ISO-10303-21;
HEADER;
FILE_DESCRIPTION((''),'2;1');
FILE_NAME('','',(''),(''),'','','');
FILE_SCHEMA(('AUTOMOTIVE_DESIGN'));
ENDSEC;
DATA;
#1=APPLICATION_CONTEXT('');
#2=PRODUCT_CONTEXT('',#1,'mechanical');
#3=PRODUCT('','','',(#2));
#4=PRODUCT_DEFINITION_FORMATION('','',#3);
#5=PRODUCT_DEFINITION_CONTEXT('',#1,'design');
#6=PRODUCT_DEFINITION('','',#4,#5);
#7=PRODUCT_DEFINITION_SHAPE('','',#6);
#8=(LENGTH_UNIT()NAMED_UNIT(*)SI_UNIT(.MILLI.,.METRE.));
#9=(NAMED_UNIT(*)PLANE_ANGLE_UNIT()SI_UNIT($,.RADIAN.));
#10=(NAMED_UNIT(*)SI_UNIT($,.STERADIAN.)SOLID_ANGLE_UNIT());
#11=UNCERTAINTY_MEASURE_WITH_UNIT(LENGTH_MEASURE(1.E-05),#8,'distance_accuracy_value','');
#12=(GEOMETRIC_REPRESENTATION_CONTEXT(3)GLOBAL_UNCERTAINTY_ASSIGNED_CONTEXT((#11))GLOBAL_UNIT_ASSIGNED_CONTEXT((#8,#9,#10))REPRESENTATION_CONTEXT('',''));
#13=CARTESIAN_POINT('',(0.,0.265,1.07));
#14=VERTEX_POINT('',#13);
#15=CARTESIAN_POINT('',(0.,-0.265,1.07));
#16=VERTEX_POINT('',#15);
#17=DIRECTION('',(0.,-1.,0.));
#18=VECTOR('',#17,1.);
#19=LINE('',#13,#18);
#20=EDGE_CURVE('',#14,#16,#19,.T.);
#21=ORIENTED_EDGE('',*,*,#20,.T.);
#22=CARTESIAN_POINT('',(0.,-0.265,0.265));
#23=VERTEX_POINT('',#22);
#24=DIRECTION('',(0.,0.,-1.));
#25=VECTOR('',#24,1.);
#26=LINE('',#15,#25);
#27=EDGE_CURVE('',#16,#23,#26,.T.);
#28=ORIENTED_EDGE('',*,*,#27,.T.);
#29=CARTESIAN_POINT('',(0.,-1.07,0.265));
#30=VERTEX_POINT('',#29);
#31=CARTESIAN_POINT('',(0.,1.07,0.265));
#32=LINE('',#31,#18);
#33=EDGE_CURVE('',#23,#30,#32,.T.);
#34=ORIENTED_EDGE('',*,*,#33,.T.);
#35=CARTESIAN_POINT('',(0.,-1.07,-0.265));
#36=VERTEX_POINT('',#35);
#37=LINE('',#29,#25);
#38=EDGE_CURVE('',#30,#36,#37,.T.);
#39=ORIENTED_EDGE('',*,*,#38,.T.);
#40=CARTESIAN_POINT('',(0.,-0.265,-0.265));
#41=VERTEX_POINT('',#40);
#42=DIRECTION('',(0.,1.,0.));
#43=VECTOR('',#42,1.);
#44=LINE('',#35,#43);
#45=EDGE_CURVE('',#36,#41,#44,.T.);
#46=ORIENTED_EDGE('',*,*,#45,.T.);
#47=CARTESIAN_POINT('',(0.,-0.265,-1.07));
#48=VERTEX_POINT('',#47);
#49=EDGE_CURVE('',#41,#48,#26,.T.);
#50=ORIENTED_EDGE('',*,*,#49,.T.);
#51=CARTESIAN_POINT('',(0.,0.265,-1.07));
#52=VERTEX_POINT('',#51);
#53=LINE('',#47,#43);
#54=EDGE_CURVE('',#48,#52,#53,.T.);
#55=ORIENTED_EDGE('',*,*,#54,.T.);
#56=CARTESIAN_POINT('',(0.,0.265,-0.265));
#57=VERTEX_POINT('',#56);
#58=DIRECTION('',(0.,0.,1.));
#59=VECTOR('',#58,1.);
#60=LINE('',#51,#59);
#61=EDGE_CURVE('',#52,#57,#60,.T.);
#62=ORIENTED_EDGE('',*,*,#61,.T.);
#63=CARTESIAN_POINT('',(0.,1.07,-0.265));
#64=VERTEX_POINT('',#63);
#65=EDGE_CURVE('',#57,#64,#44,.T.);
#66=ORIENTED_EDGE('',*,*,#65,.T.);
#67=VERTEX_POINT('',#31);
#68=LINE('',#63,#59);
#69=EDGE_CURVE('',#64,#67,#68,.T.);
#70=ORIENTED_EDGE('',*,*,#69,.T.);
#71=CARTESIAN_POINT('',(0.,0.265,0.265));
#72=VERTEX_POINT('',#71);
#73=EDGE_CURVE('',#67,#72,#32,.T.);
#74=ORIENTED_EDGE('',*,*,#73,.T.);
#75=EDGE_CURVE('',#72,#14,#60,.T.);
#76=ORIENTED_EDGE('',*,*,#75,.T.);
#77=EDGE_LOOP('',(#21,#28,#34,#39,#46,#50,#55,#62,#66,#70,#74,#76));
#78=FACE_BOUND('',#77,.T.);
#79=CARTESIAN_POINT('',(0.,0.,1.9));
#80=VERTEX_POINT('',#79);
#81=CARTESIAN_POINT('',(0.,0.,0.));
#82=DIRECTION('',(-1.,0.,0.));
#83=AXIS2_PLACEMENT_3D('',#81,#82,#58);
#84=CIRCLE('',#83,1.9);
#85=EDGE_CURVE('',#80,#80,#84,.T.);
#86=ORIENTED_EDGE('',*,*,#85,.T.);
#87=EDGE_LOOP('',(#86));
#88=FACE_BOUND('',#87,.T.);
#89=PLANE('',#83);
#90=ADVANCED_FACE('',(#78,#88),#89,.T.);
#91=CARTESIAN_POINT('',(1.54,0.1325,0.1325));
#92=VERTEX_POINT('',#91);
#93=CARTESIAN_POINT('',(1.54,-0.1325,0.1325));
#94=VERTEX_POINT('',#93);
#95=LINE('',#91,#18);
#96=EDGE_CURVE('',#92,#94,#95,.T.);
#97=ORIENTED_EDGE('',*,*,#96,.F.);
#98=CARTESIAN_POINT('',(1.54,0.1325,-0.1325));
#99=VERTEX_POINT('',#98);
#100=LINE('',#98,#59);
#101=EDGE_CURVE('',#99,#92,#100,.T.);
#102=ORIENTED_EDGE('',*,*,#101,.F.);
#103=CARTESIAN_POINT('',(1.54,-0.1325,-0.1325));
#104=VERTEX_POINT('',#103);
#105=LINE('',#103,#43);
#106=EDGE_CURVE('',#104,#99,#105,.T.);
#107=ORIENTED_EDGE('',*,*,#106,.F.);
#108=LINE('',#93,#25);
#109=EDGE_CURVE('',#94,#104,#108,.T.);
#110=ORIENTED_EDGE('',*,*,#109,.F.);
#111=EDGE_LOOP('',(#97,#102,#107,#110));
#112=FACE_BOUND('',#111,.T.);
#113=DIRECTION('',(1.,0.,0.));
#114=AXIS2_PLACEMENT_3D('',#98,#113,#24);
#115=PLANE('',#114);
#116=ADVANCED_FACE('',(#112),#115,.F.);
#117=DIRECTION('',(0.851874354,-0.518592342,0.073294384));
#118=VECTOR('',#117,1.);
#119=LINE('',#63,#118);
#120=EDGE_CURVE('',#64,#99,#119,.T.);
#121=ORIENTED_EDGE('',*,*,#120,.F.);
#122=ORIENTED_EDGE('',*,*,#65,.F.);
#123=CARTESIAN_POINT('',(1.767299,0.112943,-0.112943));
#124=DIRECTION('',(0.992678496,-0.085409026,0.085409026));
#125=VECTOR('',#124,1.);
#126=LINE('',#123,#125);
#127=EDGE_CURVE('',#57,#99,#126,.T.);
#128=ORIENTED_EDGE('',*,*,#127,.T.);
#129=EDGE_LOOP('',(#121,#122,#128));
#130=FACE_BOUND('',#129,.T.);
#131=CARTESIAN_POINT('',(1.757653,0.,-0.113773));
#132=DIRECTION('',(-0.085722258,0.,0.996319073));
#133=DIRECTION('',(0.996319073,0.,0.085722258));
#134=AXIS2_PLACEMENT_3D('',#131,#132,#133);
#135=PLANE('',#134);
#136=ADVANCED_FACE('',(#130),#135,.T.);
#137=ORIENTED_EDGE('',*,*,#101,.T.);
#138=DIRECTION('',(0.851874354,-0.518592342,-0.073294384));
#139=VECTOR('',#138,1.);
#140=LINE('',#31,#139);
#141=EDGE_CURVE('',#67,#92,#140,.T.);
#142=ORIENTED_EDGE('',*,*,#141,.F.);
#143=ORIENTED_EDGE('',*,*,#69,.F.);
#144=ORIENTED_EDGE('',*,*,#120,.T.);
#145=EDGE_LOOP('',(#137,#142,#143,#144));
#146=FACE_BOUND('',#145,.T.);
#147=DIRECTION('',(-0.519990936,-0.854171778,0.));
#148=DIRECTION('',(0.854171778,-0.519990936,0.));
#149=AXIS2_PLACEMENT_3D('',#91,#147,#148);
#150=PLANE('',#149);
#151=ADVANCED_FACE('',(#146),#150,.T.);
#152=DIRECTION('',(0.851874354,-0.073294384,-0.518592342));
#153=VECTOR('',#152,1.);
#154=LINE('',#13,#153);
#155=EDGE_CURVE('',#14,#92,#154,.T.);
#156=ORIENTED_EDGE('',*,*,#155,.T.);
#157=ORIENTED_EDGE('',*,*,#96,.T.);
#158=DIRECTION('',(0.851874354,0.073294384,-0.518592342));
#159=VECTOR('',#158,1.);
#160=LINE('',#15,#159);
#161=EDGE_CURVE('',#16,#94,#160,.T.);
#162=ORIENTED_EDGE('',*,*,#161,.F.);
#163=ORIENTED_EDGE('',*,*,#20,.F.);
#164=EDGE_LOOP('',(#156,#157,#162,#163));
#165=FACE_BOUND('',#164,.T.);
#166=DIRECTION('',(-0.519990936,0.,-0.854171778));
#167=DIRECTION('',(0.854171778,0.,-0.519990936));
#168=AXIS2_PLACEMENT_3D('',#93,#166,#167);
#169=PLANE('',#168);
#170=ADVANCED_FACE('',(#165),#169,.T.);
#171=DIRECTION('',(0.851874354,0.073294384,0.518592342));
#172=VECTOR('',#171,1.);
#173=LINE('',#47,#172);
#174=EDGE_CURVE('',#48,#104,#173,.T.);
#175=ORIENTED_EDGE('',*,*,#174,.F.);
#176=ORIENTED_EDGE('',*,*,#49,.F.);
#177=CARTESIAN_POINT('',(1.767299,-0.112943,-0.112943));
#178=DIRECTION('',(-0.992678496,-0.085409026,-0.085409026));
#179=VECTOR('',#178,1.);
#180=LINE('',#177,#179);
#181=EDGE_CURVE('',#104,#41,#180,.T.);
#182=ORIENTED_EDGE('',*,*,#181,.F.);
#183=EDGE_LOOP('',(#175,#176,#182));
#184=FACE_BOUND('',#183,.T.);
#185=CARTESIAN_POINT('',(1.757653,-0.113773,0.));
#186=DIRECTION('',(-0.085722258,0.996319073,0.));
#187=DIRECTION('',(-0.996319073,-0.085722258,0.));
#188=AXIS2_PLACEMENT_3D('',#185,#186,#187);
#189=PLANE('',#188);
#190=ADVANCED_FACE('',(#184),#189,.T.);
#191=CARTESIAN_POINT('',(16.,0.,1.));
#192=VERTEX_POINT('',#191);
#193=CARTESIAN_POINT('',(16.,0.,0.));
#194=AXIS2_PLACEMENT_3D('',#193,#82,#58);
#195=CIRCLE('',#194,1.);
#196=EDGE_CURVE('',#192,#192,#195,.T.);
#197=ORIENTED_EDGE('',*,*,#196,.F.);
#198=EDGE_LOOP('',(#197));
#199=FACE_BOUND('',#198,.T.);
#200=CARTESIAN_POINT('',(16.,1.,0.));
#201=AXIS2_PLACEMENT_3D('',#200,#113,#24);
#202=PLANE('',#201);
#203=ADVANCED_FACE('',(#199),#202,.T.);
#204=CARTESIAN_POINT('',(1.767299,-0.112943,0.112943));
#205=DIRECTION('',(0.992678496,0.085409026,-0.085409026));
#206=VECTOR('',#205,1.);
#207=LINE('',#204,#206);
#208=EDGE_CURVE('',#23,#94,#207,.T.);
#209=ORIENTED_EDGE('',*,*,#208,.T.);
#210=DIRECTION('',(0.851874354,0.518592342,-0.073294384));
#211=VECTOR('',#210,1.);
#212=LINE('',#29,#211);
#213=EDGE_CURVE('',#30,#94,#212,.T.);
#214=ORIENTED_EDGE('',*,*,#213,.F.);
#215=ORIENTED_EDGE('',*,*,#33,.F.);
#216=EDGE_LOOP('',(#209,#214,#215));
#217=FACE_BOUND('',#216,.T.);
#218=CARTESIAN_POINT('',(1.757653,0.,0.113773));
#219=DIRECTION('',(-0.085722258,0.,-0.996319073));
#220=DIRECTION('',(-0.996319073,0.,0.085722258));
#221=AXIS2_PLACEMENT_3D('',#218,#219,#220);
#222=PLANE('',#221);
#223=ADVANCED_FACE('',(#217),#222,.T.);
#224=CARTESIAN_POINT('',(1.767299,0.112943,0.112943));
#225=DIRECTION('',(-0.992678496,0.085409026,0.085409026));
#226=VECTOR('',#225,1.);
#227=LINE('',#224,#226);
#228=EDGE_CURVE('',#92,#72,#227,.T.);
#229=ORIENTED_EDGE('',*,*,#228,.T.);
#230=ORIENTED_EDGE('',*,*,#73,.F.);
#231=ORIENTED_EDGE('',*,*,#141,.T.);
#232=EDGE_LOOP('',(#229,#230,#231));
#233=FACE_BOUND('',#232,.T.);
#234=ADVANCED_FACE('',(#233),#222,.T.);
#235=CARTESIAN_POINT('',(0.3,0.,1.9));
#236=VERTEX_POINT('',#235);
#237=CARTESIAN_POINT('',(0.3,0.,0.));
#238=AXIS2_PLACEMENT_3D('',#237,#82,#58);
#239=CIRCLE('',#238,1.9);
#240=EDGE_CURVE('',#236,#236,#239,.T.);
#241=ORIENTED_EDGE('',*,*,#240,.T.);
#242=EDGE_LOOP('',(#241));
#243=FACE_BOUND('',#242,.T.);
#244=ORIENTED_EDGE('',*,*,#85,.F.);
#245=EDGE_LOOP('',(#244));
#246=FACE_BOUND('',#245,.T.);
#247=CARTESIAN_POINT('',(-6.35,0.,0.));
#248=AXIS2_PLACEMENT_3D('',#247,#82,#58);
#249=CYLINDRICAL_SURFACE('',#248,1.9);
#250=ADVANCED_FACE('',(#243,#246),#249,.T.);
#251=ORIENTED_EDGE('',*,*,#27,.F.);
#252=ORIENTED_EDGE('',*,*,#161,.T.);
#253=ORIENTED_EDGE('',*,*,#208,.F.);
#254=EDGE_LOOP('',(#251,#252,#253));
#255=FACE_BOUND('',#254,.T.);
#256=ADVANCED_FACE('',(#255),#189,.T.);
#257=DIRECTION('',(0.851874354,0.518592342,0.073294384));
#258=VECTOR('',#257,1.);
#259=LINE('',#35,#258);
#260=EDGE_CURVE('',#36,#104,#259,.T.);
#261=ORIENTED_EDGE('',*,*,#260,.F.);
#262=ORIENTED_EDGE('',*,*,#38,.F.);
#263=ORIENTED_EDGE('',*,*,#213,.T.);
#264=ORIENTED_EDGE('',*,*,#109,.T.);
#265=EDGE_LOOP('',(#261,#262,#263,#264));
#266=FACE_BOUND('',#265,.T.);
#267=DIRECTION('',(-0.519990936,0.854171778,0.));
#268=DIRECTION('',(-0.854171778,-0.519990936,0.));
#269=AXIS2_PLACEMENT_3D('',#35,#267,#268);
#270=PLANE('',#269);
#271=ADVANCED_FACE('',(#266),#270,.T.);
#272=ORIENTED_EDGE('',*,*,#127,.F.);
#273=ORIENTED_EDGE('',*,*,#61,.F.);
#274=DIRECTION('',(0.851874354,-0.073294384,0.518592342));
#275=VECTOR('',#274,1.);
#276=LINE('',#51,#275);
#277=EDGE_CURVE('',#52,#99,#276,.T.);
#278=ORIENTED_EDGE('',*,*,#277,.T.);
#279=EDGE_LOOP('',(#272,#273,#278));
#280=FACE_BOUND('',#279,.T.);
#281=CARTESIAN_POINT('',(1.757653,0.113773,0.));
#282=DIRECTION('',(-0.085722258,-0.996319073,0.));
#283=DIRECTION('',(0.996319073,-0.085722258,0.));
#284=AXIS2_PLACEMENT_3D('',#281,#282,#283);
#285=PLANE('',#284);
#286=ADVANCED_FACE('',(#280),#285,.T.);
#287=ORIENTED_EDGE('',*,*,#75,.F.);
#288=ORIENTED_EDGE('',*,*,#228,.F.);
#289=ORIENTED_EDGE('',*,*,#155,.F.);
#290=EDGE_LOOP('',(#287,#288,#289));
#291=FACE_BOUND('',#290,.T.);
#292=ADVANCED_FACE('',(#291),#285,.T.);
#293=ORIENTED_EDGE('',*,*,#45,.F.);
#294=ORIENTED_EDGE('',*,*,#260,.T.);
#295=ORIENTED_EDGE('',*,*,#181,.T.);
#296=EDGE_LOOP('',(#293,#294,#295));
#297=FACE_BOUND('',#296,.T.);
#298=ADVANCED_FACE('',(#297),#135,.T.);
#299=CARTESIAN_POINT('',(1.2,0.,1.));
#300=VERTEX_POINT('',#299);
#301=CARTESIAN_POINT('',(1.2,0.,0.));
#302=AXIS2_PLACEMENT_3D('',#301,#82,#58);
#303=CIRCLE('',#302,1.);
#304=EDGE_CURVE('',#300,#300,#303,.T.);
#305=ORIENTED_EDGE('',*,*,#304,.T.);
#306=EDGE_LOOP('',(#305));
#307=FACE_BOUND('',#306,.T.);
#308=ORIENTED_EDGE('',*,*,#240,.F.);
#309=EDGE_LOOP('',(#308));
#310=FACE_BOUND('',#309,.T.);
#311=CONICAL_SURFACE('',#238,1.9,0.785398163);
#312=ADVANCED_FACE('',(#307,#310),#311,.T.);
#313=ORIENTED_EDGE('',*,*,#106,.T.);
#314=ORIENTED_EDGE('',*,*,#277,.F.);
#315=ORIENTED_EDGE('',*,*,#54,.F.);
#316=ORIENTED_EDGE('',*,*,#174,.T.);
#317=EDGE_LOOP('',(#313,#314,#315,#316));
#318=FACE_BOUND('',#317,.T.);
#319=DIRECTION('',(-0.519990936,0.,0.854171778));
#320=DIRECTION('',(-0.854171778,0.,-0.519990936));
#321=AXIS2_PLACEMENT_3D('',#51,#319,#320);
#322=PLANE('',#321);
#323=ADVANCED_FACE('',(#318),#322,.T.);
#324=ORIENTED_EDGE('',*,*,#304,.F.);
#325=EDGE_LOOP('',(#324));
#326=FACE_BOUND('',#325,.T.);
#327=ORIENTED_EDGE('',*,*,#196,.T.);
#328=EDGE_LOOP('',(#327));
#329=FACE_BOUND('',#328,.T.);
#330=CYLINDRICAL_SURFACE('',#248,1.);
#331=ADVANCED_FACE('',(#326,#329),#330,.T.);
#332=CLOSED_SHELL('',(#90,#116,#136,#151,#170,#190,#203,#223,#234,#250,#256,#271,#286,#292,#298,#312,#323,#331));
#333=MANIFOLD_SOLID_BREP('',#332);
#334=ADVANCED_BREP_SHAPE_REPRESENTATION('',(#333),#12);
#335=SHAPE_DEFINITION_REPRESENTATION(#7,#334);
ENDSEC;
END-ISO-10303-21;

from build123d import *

# Parameters (mm, degrees)
SKETCH3_W         = 0.53
SKETCH3_H         = 2.14
SKETCH4_W         = 0.265
SKETCH4_H         = 0.265
CIRPATTERN1_COUNT = 2
CIRPATTERN1_ANGLE = 90


with BuildPart() as part:
    # BodySke → Base-Revolve (revolve)
    with BuildSketch(Plane.XY):
        Polygon((0, 0), (0, 1.9), (0.3, 1.9), (1.2, 1), (16, 1), (16, 0), align=None)
    revolve(axis=Axis((-6.35, 0, 0), (1, 0, 0)))

    # Sketch3 → Cross section 0
    with BuildSketch(Plane.ZY):
        Rectangle(SKETCH3_W, SKETCH3_H)
    # Sketch4 → Cross section 1
    with BuildSketch(Plane.ZY.offset(-1.54)):
        Rectangle(SKETCH4_W, SKETCH4_H)
    cross = loft(mode=Mode.SUBTRACT)

    # CirPattern1: Cross ×2 about axis
    cirpattern1_axis = Axis((0, 0, 0), (1, 0, 0))
    for i in range(1, CIRPATTERN1_COUNT):
        add(cross.rotate(cirpattern1_axis, i * CIRPATTERN1_ANGLE / (CIRPATTERN1_COUNT - 1)), mode=Mode.SUBTRACT)


solid = part.part
